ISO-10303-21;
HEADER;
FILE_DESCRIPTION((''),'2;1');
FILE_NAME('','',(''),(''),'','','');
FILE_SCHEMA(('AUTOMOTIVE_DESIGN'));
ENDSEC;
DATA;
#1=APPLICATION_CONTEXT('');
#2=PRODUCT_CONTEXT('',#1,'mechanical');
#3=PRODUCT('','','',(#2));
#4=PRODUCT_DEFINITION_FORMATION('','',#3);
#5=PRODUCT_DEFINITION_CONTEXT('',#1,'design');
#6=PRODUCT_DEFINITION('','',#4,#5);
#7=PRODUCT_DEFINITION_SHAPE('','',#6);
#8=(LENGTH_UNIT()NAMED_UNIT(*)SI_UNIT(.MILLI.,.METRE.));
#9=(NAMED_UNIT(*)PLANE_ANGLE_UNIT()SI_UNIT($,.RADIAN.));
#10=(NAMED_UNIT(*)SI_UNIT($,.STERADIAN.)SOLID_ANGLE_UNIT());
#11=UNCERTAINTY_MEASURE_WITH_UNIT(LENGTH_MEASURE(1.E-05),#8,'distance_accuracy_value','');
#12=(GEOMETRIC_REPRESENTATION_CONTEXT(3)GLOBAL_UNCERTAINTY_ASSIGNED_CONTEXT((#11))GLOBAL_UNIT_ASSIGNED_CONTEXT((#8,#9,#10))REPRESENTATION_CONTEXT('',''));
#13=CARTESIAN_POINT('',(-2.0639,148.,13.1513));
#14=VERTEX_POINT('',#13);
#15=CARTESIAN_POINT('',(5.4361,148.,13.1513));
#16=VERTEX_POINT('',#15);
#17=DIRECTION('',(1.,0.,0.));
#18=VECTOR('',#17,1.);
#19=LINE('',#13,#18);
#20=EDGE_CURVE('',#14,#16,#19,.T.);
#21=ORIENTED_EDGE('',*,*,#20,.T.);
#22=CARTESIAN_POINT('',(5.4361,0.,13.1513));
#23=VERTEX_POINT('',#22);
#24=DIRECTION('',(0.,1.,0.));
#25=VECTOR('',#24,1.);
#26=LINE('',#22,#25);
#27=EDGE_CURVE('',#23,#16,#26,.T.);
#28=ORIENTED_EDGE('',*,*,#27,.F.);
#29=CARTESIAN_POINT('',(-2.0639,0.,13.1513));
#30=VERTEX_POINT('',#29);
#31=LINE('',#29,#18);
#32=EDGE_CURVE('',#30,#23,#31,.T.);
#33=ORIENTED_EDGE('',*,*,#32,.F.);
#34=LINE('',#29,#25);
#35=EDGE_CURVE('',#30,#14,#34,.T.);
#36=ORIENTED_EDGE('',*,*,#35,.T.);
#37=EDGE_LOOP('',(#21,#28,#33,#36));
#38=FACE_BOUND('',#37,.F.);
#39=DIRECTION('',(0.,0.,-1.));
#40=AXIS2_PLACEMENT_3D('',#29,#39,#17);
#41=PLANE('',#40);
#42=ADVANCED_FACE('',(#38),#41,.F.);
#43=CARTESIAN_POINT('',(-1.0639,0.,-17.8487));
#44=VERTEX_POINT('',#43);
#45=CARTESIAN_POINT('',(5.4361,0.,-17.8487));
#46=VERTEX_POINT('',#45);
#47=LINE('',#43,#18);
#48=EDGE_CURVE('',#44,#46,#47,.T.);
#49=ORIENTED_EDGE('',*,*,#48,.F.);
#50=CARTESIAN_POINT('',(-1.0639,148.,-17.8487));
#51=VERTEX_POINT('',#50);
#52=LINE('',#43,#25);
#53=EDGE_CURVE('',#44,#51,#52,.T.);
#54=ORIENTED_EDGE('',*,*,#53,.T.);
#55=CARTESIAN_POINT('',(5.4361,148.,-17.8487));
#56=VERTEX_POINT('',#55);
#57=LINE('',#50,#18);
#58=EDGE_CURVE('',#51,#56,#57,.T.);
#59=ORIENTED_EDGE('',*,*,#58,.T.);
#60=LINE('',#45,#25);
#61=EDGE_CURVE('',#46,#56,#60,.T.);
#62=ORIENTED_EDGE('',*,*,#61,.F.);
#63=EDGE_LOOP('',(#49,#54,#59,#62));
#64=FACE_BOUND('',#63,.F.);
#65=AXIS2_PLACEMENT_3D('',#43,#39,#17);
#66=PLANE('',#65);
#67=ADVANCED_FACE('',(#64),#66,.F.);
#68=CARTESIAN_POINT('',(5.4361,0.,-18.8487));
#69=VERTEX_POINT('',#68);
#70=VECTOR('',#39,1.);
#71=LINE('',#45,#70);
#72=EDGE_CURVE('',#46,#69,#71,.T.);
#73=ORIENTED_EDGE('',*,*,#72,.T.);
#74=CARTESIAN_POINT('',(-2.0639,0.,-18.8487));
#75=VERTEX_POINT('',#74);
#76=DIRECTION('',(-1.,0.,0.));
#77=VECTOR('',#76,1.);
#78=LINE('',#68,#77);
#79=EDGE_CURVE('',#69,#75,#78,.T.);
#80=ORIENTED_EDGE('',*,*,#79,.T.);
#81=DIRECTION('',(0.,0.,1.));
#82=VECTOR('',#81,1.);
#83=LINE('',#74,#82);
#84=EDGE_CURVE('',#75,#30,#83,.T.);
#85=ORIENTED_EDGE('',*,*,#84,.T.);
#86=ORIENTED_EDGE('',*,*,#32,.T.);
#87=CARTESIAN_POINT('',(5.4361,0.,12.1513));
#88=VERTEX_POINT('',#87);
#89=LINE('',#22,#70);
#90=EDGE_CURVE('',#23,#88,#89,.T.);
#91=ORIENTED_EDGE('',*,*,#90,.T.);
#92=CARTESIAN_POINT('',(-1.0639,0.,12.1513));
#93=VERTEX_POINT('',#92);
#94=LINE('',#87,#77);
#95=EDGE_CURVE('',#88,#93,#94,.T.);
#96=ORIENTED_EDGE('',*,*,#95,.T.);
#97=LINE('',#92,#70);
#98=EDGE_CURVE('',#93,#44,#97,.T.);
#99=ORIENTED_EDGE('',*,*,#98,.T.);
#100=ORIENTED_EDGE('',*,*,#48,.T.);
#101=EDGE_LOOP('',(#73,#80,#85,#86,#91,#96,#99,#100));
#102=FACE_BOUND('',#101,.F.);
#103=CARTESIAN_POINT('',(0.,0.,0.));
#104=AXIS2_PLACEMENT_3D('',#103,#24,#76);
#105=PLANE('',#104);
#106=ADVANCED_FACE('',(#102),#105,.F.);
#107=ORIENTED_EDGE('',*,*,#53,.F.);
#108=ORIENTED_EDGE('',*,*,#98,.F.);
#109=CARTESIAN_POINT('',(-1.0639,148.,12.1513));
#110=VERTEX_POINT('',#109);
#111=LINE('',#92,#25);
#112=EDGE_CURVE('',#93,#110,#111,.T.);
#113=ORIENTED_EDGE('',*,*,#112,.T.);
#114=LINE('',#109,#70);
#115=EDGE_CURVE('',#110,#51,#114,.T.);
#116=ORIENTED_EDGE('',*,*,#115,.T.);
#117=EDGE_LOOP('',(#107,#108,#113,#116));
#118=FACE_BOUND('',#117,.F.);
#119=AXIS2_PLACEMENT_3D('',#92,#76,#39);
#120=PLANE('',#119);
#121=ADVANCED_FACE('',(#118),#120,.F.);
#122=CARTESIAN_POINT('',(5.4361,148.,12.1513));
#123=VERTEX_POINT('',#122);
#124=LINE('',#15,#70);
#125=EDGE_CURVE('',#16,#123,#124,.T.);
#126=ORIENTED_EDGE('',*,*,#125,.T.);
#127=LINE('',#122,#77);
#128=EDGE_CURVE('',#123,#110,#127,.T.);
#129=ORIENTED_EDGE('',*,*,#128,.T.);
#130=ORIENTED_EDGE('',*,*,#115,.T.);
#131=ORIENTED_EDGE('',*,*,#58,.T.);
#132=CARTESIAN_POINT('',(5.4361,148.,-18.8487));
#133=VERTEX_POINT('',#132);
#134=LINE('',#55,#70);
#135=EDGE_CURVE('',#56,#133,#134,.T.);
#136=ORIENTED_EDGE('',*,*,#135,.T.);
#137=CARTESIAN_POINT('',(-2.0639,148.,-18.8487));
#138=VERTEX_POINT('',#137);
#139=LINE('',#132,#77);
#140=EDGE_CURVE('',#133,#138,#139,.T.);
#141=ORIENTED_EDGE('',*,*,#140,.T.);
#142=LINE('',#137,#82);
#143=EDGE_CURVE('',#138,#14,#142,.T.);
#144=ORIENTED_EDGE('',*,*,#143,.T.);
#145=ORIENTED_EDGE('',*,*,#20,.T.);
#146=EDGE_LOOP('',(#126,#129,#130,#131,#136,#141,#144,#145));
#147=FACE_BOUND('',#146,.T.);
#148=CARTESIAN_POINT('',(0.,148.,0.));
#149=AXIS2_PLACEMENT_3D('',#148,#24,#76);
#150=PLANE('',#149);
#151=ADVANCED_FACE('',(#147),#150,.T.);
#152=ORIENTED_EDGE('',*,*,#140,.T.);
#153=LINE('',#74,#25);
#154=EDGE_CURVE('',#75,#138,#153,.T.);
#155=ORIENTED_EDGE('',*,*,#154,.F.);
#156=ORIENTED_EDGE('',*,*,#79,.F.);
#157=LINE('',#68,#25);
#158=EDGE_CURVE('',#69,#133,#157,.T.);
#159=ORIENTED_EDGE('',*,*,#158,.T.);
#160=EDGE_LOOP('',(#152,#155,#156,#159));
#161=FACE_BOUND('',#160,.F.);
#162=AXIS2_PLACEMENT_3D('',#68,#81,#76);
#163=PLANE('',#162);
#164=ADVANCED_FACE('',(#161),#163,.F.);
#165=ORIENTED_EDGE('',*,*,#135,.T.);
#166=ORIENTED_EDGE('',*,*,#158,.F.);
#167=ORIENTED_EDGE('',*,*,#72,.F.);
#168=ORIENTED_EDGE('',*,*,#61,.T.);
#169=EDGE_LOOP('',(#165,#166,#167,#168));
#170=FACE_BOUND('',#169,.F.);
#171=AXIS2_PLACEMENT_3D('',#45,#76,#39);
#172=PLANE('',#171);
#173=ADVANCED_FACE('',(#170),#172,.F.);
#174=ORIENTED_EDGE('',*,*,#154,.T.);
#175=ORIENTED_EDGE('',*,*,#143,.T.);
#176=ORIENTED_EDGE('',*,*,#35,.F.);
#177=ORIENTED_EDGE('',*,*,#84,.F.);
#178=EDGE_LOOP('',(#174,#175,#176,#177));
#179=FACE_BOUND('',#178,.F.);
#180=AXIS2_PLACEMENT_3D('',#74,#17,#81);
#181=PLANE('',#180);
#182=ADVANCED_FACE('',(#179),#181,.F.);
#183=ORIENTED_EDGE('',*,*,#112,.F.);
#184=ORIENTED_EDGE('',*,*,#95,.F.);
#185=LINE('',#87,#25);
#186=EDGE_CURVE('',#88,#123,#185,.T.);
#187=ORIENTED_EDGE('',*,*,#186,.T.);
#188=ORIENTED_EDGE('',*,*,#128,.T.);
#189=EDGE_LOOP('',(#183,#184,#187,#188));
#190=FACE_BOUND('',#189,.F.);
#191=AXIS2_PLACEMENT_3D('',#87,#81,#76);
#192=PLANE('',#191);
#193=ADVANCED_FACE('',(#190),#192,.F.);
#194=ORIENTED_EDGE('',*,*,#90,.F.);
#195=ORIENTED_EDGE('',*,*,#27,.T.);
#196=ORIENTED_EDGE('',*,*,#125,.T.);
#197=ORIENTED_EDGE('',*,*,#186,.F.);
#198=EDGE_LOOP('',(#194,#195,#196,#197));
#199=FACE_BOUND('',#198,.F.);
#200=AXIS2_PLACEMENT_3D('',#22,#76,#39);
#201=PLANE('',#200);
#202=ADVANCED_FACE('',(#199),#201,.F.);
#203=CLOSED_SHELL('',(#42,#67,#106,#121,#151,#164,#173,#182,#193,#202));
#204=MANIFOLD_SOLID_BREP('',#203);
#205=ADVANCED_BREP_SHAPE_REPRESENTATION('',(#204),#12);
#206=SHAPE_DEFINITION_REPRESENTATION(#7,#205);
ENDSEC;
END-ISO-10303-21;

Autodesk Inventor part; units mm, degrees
ref_plane "YZ Plane" through (0, 0, 0) normal (1, 0, 0) x (0, 1, 0)
ref_plane "XZ Plane" through (0, 0, 0) normal (0, 1, 0) x (-1, 0, 0)
ref_plane "XY Plane" through (0, 0, 0) normal (0, 0, 1) x (1, 0, 0)
sketch "Boceto1" plane through (0, 0, 0) normal (0, 1, 0) x (-1, 0, 0)
  line L0 (-5.4361, 12.1513) -> (1.0639, 12.1513)
  line L1 (1.0639, 12.1513) -> (1.0639, -17.8487)
  line L2 (1.0639, -17.8487) -> (-5.4361, -17.8487)
  line L3 (-5.4361, -17.8487) -> (-5.4361, -18.8487)
  line L4 (-5.4361, -18.8487) -> (2.0639, -18.8487)
  line L5 (2.0639, -18.8487) -> (2.0639, 13.1513)
  line L6 (2.0639, 13.1513) -> (-5.4361, 13.1513)
  line L7 (-5.4361, 13.1513) -> (-5.4361, 12.1513)
  point P0 (0, 0)
  point P1 (0, 0)
  dimension "d0" = 6.5
  dimension "d1" = 30
  dimension "d2" = 1
  dimension "d3" = 7.5
  dimension "d4" = 32
extrude "Extrusión1" add sketch "Boceto1" along normal blind 148
properties part number "Tapa cable canal 150mm"
